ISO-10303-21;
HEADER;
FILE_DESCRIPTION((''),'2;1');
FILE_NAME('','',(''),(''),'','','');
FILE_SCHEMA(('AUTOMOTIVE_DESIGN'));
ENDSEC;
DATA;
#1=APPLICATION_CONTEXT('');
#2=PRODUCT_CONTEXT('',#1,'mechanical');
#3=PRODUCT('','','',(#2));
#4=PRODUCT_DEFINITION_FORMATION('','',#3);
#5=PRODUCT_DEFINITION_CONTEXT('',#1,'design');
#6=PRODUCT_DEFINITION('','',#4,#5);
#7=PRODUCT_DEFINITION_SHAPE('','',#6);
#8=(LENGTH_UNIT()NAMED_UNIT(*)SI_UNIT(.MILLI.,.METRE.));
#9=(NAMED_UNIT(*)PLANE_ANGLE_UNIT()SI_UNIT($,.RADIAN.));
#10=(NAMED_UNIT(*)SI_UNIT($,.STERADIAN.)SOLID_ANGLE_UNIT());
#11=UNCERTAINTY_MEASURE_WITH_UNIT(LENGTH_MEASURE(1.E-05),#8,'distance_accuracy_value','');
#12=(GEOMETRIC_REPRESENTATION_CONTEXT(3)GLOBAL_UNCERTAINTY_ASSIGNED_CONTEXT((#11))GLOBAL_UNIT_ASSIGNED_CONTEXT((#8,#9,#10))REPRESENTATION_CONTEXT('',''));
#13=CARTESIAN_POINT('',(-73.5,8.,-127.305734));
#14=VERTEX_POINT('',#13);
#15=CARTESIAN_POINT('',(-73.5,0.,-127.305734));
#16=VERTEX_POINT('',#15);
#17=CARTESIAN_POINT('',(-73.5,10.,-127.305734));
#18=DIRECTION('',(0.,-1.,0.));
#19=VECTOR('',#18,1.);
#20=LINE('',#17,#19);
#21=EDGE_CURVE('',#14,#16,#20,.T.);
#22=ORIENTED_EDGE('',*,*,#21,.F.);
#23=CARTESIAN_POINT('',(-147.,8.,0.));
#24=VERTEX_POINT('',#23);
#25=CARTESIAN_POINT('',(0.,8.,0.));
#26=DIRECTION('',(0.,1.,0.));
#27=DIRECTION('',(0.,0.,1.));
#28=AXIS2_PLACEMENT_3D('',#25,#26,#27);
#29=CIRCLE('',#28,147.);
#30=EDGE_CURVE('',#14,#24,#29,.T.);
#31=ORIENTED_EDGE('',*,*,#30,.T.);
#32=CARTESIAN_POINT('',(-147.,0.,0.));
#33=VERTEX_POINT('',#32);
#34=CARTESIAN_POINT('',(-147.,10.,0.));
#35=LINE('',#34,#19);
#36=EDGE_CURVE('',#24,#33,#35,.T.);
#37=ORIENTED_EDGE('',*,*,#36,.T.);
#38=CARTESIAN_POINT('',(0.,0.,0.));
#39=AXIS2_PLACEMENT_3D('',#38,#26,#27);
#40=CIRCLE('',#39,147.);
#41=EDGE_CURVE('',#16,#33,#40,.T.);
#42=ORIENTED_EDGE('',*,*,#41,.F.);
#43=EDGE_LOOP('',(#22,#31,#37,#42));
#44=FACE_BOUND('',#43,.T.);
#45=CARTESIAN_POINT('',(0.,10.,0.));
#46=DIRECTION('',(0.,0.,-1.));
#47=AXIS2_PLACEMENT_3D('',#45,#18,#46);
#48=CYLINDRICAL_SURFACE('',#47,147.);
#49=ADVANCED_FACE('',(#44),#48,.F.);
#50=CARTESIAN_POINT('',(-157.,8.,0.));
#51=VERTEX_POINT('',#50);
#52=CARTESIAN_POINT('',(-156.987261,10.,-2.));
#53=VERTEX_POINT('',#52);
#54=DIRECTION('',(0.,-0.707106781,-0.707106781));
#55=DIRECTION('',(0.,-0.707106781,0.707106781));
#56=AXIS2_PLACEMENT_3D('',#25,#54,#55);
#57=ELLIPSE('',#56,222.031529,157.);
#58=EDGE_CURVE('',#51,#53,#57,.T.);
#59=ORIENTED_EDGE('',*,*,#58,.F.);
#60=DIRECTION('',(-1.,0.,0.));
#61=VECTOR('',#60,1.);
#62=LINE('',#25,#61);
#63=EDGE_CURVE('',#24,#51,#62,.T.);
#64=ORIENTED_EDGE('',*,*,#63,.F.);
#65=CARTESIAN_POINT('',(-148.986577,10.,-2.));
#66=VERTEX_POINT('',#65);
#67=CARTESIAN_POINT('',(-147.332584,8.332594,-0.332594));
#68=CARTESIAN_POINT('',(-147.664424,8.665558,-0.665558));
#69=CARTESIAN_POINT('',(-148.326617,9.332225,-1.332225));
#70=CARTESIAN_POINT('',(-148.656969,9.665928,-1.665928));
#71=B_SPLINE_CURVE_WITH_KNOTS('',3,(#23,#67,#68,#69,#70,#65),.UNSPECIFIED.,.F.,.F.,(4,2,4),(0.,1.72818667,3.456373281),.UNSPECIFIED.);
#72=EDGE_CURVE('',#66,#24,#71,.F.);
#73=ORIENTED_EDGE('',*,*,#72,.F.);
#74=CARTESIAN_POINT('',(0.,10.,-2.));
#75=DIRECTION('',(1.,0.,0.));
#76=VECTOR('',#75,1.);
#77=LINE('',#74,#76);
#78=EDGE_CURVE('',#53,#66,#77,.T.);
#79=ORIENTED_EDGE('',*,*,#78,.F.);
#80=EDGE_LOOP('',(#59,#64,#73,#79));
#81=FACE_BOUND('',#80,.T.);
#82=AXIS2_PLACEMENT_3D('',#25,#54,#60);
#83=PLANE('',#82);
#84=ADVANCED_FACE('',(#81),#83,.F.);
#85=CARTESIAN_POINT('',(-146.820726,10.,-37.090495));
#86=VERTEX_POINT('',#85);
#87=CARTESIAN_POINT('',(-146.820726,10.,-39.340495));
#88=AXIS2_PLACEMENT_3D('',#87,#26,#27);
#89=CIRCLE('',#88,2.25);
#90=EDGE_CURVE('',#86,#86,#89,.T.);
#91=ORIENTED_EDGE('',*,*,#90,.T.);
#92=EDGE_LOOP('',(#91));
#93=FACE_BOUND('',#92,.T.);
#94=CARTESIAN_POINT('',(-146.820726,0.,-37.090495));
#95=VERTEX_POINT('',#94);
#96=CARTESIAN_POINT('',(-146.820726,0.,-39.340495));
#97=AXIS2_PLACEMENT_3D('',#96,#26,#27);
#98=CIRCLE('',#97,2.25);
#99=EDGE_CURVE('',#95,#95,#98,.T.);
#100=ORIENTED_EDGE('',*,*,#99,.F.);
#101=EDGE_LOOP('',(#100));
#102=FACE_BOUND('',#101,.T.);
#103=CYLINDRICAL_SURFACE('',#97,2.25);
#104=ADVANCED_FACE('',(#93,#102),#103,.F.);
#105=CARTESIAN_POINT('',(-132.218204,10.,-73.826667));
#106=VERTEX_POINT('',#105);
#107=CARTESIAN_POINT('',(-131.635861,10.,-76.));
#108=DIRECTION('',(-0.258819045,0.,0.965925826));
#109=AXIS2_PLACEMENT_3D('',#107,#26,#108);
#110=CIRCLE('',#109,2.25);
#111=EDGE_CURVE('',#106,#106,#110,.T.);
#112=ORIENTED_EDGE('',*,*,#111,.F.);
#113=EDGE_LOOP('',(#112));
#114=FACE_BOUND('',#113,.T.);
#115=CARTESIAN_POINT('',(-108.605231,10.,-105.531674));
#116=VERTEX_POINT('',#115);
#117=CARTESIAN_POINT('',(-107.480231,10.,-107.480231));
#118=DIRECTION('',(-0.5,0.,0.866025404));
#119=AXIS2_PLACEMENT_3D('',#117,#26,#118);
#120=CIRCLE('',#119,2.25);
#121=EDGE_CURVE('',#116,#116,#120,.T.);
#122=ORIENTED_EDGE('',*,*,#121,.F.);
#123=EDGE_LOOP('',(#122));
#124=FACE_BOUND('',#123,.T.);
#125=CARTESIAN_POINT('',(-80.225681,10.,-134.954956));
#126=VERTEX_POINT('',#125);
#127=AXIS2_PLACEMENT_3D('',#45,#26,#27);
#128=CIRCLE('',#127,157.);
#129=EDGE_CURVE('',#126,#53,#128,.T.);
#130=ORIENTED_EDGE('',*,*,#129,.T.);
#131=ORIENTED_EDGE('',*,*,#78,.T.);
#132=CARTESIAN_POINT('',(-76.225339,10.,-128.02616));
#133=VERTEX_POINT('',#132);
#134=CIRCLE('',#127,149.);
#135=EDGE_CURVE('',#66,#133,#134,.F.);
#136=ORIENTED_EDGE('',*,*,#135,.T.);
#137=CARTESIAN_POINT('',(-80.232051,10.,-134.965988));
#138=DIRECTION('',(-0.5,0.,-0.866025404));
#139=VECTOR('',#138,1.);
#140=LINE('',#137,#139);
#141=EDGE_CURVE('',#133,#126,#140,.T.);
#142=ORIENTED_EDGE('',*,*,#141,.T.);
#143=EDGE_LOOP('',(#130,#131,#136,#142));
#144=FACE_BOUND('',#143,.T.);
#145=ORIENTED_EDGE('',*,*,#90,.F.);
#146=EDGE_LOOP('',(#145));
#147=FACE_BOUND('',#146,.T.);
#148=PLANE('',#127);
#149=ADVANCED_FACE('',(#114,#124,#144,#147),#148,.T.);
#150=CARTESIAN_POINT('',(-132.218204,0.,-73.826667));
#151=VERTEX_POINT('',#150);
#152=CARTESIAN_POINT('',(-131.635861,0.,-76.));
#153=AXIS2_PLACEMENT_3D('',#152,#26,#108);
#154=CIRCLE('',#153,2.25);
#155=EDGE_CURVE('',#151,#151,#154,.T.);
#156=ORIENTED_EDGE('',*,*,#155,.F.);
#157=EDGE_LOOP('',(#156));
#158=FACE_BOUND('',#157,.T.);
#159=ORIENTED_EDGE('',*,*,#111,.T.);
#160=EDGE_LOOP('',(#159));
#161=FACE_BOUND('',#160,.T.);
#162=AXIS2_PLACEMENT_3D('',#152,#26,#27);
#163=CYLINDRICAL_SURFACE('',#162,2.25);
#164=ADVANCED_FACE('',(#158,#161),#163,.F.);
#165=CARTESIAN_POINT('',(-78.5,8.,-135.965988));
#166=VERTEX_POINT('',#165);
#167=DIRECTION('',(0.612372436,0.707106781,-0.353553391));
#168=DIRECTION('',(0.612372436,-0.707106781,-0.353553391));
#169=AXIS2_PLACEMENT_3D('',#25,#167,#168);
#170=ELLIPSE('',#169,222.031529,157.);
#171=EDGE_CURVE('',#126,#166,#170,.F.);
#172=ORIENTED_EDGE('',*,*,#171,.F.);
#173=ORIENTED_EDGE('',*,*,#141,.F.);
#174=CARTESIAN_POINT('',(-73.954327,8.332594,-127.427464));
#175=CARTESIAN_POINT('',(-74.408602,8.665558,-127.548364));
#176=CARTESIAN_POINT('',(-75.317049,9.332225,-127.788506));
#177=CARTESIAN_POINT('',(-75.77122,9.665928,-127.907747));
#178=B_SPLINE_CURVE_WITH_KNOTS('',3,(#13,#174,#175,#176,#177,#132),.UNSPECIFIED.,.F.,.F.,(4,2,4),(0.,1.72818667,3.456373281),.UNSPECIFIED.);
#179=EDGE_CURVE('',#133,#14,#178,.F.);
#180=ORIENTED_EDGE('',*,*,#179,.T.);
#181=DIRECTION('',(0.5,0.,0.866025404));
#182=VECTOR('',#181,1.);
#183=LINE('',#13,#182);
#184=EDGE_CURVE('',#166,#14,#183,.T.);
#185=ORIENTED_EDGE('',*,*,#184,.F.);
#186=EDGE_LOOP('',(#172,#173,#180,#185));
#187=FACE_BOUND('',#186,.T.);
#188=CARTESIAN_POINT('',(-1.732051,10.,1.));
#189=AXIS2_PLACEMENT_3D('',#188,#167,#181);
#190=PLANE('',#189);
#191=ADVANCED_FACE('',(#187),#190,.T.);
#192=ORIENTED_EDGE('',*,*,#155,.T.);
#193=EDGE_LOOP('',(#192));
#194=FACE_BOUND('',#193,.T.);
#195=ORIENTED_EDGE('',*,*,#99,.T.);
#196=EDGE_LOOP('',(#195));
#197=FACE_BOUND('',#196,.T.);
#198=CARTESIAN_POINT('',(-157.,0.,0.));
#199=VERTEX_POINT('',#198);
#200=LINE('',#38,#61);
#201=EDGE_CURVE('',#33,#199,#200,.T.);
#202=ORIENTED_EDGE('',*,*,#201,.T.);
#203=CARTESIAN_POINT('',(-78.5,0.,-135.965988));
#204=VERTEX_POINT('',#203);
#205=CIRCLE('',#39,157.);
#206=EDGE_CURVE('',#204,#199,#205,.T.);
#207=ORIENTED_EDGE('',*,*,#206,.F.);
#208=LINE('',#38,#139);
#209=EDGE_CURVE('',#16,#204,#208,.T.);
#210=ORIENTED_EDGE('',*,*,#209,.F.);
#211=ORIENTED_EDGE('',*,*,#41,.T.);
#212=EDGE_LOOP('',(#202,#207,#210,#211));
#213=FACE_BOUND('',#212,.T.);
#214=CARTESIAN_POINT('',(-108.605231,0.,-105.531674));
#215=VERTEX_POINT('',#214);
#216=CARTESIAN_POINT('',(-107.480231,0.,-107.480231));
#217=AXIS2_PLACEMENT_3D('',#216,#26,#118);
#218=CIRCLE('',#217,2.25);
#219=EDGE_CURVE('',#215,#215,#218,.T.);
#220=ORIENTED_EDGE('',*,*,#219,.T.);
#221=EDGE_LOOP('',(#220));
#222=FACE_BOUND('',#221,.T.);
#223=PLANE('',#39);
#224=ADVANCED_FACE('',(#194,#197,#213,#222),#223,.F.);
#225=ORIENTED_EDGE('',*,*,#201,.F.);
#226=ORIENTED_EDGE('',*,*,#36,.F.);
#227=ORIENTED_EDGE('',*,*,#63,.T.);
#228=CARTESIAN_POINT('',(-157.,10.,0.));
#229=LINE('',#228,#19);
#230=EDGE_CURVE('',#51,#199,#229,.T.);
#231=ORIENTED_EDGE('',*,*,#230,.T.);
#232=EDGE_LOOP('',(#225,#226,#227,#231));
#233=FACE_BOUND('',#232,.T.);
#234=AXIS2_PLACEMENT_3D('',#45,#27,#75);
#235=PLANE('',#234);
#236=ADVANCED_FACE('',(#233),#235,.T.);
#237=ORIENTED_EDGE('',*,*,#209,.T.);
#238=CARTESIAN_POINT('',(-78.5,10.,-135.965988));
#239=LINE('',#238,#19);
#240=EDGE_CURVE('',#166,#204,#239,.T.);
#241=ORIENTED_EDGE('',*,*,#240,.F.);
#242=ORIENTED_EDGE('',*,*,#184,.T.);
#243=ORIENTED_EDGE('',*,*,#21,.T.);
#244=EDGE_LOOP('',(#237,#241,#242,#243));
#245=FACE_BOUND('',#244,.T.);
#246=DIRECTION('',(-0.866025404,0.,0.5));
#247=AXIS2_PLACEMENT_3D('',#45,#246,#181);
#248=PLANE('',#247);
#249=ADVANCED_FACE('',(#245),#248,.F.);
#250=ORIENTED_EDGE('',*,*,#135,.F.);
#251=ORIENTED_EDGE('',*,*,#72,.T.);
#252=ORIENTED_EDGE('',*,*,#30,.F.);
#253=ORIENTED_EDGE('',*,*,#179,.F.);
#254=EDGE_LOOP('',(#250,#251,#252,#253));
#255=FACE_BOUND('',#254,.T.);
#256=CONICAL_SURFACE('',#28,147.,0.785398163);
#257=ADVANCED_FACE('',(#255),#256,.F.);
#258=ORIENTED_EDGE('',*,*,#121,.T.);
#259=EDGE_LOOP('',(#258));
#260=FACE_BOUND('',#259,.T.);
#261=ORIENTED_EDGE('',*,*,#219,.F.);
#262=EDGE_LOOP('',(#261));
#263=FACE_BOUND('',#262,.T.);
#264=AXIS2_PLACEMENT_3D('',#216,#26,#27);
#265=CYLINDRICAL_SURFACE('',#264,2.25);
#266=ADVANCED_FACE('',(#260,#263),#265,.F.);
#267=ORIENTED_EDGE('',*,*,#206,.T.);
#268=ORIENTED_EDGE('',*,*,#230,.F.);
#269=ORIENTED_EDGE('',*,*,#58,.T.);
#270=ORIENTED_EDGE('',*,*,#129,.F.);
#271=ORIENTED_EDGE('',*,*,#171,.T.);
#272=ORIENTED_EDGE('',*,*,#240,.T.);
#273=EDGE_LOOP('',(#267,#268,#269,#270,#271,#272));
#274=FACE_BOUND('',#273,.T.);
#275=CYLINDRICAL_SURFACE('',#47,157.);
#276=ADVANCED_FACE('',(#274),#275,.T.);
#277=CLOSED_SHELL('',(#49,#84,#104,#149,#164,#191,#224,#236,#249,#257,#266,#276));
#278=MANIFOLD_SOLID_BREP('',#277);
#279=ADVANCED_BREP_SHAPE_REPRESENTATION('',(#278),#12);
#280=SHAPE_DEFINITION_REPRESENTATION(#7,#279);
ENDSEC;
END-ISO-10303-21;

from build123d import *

# Parameters (mm, degrees)
BOSS_EXTRUDE1_DEPTH = 10
SKETCH3_R           = 2.25
CUT_EXTRUDE1_DEPTH  = 208.932080257
CIRPATTERN1_COUNT   = 3
CIRPATTERN1_ANGLE   = 30
CHAMFER1_SIZE       = 2


with BuildPart() as part:
    # Sketch2 → Boss-Extrude1 (new body)
    with BuildSketch(Plane(origin=(0, 0, 0), x_dir=(1, 0, 0), z_dir=(0, 1, 0))):
        with BuildLine():
            Line((-157, 0), (-147, 0))
            ThreePointArc((-147, 0), (-127.305734356, 73.5), (-73.5, 127.305734356))
            Line((-73.5, 127.305734356), (-78.5, 135.965988394))
            ThreePointArc((-78.5, 135.965988394), (-135.965988394, 78.5), (-157, 0))
        make_face()
    extrude(amount=BOSS_EXTRUDE1_DEPTH)

    # Sketch3 → Cut-Extrude1 (cut, through all)
    with BuildSketch(Plane(origin=(0, 10, 0), x_dir=(1, 0, 0), z_dir=(0, 1, 0))):
        with Locations(Location((-146.820725596, 39.340494856, 0), (0, 0, 270))):
            Circle(SKETCH3_R)
    cut_extrude1 = extrude(amount=-CUT_EXTRUDE1_DEPTH, mode=Mode.SUBTRACT)

    # CirPattern1: Cut-Extrude1 ×3 about axis
    cirpattern1_axis = Axis((0, 0, 0), (0, -1, 0))
    for i in range(1, CIRPATTERN1_COUNT):
        add(cut_extrude1.rotate(cirpattern1_axis, i * CIRPATTERN1_ANGLE / (CIRPATTERN1_COUNT - 1)), mode=Mode.SUBTRACT)

    # Chamfer1
    chamfer1_edges = [part.edges().sort_by_distance(p)[0] for p in [
        (-152, 10, 0),
        (-127.305734356, 10, -73.5),
        (-76, 10, -131.635861375),
    ]]
    chamfer(chamfer1_edges, length=CHAMFER1_SIZE)


solid = part.part
